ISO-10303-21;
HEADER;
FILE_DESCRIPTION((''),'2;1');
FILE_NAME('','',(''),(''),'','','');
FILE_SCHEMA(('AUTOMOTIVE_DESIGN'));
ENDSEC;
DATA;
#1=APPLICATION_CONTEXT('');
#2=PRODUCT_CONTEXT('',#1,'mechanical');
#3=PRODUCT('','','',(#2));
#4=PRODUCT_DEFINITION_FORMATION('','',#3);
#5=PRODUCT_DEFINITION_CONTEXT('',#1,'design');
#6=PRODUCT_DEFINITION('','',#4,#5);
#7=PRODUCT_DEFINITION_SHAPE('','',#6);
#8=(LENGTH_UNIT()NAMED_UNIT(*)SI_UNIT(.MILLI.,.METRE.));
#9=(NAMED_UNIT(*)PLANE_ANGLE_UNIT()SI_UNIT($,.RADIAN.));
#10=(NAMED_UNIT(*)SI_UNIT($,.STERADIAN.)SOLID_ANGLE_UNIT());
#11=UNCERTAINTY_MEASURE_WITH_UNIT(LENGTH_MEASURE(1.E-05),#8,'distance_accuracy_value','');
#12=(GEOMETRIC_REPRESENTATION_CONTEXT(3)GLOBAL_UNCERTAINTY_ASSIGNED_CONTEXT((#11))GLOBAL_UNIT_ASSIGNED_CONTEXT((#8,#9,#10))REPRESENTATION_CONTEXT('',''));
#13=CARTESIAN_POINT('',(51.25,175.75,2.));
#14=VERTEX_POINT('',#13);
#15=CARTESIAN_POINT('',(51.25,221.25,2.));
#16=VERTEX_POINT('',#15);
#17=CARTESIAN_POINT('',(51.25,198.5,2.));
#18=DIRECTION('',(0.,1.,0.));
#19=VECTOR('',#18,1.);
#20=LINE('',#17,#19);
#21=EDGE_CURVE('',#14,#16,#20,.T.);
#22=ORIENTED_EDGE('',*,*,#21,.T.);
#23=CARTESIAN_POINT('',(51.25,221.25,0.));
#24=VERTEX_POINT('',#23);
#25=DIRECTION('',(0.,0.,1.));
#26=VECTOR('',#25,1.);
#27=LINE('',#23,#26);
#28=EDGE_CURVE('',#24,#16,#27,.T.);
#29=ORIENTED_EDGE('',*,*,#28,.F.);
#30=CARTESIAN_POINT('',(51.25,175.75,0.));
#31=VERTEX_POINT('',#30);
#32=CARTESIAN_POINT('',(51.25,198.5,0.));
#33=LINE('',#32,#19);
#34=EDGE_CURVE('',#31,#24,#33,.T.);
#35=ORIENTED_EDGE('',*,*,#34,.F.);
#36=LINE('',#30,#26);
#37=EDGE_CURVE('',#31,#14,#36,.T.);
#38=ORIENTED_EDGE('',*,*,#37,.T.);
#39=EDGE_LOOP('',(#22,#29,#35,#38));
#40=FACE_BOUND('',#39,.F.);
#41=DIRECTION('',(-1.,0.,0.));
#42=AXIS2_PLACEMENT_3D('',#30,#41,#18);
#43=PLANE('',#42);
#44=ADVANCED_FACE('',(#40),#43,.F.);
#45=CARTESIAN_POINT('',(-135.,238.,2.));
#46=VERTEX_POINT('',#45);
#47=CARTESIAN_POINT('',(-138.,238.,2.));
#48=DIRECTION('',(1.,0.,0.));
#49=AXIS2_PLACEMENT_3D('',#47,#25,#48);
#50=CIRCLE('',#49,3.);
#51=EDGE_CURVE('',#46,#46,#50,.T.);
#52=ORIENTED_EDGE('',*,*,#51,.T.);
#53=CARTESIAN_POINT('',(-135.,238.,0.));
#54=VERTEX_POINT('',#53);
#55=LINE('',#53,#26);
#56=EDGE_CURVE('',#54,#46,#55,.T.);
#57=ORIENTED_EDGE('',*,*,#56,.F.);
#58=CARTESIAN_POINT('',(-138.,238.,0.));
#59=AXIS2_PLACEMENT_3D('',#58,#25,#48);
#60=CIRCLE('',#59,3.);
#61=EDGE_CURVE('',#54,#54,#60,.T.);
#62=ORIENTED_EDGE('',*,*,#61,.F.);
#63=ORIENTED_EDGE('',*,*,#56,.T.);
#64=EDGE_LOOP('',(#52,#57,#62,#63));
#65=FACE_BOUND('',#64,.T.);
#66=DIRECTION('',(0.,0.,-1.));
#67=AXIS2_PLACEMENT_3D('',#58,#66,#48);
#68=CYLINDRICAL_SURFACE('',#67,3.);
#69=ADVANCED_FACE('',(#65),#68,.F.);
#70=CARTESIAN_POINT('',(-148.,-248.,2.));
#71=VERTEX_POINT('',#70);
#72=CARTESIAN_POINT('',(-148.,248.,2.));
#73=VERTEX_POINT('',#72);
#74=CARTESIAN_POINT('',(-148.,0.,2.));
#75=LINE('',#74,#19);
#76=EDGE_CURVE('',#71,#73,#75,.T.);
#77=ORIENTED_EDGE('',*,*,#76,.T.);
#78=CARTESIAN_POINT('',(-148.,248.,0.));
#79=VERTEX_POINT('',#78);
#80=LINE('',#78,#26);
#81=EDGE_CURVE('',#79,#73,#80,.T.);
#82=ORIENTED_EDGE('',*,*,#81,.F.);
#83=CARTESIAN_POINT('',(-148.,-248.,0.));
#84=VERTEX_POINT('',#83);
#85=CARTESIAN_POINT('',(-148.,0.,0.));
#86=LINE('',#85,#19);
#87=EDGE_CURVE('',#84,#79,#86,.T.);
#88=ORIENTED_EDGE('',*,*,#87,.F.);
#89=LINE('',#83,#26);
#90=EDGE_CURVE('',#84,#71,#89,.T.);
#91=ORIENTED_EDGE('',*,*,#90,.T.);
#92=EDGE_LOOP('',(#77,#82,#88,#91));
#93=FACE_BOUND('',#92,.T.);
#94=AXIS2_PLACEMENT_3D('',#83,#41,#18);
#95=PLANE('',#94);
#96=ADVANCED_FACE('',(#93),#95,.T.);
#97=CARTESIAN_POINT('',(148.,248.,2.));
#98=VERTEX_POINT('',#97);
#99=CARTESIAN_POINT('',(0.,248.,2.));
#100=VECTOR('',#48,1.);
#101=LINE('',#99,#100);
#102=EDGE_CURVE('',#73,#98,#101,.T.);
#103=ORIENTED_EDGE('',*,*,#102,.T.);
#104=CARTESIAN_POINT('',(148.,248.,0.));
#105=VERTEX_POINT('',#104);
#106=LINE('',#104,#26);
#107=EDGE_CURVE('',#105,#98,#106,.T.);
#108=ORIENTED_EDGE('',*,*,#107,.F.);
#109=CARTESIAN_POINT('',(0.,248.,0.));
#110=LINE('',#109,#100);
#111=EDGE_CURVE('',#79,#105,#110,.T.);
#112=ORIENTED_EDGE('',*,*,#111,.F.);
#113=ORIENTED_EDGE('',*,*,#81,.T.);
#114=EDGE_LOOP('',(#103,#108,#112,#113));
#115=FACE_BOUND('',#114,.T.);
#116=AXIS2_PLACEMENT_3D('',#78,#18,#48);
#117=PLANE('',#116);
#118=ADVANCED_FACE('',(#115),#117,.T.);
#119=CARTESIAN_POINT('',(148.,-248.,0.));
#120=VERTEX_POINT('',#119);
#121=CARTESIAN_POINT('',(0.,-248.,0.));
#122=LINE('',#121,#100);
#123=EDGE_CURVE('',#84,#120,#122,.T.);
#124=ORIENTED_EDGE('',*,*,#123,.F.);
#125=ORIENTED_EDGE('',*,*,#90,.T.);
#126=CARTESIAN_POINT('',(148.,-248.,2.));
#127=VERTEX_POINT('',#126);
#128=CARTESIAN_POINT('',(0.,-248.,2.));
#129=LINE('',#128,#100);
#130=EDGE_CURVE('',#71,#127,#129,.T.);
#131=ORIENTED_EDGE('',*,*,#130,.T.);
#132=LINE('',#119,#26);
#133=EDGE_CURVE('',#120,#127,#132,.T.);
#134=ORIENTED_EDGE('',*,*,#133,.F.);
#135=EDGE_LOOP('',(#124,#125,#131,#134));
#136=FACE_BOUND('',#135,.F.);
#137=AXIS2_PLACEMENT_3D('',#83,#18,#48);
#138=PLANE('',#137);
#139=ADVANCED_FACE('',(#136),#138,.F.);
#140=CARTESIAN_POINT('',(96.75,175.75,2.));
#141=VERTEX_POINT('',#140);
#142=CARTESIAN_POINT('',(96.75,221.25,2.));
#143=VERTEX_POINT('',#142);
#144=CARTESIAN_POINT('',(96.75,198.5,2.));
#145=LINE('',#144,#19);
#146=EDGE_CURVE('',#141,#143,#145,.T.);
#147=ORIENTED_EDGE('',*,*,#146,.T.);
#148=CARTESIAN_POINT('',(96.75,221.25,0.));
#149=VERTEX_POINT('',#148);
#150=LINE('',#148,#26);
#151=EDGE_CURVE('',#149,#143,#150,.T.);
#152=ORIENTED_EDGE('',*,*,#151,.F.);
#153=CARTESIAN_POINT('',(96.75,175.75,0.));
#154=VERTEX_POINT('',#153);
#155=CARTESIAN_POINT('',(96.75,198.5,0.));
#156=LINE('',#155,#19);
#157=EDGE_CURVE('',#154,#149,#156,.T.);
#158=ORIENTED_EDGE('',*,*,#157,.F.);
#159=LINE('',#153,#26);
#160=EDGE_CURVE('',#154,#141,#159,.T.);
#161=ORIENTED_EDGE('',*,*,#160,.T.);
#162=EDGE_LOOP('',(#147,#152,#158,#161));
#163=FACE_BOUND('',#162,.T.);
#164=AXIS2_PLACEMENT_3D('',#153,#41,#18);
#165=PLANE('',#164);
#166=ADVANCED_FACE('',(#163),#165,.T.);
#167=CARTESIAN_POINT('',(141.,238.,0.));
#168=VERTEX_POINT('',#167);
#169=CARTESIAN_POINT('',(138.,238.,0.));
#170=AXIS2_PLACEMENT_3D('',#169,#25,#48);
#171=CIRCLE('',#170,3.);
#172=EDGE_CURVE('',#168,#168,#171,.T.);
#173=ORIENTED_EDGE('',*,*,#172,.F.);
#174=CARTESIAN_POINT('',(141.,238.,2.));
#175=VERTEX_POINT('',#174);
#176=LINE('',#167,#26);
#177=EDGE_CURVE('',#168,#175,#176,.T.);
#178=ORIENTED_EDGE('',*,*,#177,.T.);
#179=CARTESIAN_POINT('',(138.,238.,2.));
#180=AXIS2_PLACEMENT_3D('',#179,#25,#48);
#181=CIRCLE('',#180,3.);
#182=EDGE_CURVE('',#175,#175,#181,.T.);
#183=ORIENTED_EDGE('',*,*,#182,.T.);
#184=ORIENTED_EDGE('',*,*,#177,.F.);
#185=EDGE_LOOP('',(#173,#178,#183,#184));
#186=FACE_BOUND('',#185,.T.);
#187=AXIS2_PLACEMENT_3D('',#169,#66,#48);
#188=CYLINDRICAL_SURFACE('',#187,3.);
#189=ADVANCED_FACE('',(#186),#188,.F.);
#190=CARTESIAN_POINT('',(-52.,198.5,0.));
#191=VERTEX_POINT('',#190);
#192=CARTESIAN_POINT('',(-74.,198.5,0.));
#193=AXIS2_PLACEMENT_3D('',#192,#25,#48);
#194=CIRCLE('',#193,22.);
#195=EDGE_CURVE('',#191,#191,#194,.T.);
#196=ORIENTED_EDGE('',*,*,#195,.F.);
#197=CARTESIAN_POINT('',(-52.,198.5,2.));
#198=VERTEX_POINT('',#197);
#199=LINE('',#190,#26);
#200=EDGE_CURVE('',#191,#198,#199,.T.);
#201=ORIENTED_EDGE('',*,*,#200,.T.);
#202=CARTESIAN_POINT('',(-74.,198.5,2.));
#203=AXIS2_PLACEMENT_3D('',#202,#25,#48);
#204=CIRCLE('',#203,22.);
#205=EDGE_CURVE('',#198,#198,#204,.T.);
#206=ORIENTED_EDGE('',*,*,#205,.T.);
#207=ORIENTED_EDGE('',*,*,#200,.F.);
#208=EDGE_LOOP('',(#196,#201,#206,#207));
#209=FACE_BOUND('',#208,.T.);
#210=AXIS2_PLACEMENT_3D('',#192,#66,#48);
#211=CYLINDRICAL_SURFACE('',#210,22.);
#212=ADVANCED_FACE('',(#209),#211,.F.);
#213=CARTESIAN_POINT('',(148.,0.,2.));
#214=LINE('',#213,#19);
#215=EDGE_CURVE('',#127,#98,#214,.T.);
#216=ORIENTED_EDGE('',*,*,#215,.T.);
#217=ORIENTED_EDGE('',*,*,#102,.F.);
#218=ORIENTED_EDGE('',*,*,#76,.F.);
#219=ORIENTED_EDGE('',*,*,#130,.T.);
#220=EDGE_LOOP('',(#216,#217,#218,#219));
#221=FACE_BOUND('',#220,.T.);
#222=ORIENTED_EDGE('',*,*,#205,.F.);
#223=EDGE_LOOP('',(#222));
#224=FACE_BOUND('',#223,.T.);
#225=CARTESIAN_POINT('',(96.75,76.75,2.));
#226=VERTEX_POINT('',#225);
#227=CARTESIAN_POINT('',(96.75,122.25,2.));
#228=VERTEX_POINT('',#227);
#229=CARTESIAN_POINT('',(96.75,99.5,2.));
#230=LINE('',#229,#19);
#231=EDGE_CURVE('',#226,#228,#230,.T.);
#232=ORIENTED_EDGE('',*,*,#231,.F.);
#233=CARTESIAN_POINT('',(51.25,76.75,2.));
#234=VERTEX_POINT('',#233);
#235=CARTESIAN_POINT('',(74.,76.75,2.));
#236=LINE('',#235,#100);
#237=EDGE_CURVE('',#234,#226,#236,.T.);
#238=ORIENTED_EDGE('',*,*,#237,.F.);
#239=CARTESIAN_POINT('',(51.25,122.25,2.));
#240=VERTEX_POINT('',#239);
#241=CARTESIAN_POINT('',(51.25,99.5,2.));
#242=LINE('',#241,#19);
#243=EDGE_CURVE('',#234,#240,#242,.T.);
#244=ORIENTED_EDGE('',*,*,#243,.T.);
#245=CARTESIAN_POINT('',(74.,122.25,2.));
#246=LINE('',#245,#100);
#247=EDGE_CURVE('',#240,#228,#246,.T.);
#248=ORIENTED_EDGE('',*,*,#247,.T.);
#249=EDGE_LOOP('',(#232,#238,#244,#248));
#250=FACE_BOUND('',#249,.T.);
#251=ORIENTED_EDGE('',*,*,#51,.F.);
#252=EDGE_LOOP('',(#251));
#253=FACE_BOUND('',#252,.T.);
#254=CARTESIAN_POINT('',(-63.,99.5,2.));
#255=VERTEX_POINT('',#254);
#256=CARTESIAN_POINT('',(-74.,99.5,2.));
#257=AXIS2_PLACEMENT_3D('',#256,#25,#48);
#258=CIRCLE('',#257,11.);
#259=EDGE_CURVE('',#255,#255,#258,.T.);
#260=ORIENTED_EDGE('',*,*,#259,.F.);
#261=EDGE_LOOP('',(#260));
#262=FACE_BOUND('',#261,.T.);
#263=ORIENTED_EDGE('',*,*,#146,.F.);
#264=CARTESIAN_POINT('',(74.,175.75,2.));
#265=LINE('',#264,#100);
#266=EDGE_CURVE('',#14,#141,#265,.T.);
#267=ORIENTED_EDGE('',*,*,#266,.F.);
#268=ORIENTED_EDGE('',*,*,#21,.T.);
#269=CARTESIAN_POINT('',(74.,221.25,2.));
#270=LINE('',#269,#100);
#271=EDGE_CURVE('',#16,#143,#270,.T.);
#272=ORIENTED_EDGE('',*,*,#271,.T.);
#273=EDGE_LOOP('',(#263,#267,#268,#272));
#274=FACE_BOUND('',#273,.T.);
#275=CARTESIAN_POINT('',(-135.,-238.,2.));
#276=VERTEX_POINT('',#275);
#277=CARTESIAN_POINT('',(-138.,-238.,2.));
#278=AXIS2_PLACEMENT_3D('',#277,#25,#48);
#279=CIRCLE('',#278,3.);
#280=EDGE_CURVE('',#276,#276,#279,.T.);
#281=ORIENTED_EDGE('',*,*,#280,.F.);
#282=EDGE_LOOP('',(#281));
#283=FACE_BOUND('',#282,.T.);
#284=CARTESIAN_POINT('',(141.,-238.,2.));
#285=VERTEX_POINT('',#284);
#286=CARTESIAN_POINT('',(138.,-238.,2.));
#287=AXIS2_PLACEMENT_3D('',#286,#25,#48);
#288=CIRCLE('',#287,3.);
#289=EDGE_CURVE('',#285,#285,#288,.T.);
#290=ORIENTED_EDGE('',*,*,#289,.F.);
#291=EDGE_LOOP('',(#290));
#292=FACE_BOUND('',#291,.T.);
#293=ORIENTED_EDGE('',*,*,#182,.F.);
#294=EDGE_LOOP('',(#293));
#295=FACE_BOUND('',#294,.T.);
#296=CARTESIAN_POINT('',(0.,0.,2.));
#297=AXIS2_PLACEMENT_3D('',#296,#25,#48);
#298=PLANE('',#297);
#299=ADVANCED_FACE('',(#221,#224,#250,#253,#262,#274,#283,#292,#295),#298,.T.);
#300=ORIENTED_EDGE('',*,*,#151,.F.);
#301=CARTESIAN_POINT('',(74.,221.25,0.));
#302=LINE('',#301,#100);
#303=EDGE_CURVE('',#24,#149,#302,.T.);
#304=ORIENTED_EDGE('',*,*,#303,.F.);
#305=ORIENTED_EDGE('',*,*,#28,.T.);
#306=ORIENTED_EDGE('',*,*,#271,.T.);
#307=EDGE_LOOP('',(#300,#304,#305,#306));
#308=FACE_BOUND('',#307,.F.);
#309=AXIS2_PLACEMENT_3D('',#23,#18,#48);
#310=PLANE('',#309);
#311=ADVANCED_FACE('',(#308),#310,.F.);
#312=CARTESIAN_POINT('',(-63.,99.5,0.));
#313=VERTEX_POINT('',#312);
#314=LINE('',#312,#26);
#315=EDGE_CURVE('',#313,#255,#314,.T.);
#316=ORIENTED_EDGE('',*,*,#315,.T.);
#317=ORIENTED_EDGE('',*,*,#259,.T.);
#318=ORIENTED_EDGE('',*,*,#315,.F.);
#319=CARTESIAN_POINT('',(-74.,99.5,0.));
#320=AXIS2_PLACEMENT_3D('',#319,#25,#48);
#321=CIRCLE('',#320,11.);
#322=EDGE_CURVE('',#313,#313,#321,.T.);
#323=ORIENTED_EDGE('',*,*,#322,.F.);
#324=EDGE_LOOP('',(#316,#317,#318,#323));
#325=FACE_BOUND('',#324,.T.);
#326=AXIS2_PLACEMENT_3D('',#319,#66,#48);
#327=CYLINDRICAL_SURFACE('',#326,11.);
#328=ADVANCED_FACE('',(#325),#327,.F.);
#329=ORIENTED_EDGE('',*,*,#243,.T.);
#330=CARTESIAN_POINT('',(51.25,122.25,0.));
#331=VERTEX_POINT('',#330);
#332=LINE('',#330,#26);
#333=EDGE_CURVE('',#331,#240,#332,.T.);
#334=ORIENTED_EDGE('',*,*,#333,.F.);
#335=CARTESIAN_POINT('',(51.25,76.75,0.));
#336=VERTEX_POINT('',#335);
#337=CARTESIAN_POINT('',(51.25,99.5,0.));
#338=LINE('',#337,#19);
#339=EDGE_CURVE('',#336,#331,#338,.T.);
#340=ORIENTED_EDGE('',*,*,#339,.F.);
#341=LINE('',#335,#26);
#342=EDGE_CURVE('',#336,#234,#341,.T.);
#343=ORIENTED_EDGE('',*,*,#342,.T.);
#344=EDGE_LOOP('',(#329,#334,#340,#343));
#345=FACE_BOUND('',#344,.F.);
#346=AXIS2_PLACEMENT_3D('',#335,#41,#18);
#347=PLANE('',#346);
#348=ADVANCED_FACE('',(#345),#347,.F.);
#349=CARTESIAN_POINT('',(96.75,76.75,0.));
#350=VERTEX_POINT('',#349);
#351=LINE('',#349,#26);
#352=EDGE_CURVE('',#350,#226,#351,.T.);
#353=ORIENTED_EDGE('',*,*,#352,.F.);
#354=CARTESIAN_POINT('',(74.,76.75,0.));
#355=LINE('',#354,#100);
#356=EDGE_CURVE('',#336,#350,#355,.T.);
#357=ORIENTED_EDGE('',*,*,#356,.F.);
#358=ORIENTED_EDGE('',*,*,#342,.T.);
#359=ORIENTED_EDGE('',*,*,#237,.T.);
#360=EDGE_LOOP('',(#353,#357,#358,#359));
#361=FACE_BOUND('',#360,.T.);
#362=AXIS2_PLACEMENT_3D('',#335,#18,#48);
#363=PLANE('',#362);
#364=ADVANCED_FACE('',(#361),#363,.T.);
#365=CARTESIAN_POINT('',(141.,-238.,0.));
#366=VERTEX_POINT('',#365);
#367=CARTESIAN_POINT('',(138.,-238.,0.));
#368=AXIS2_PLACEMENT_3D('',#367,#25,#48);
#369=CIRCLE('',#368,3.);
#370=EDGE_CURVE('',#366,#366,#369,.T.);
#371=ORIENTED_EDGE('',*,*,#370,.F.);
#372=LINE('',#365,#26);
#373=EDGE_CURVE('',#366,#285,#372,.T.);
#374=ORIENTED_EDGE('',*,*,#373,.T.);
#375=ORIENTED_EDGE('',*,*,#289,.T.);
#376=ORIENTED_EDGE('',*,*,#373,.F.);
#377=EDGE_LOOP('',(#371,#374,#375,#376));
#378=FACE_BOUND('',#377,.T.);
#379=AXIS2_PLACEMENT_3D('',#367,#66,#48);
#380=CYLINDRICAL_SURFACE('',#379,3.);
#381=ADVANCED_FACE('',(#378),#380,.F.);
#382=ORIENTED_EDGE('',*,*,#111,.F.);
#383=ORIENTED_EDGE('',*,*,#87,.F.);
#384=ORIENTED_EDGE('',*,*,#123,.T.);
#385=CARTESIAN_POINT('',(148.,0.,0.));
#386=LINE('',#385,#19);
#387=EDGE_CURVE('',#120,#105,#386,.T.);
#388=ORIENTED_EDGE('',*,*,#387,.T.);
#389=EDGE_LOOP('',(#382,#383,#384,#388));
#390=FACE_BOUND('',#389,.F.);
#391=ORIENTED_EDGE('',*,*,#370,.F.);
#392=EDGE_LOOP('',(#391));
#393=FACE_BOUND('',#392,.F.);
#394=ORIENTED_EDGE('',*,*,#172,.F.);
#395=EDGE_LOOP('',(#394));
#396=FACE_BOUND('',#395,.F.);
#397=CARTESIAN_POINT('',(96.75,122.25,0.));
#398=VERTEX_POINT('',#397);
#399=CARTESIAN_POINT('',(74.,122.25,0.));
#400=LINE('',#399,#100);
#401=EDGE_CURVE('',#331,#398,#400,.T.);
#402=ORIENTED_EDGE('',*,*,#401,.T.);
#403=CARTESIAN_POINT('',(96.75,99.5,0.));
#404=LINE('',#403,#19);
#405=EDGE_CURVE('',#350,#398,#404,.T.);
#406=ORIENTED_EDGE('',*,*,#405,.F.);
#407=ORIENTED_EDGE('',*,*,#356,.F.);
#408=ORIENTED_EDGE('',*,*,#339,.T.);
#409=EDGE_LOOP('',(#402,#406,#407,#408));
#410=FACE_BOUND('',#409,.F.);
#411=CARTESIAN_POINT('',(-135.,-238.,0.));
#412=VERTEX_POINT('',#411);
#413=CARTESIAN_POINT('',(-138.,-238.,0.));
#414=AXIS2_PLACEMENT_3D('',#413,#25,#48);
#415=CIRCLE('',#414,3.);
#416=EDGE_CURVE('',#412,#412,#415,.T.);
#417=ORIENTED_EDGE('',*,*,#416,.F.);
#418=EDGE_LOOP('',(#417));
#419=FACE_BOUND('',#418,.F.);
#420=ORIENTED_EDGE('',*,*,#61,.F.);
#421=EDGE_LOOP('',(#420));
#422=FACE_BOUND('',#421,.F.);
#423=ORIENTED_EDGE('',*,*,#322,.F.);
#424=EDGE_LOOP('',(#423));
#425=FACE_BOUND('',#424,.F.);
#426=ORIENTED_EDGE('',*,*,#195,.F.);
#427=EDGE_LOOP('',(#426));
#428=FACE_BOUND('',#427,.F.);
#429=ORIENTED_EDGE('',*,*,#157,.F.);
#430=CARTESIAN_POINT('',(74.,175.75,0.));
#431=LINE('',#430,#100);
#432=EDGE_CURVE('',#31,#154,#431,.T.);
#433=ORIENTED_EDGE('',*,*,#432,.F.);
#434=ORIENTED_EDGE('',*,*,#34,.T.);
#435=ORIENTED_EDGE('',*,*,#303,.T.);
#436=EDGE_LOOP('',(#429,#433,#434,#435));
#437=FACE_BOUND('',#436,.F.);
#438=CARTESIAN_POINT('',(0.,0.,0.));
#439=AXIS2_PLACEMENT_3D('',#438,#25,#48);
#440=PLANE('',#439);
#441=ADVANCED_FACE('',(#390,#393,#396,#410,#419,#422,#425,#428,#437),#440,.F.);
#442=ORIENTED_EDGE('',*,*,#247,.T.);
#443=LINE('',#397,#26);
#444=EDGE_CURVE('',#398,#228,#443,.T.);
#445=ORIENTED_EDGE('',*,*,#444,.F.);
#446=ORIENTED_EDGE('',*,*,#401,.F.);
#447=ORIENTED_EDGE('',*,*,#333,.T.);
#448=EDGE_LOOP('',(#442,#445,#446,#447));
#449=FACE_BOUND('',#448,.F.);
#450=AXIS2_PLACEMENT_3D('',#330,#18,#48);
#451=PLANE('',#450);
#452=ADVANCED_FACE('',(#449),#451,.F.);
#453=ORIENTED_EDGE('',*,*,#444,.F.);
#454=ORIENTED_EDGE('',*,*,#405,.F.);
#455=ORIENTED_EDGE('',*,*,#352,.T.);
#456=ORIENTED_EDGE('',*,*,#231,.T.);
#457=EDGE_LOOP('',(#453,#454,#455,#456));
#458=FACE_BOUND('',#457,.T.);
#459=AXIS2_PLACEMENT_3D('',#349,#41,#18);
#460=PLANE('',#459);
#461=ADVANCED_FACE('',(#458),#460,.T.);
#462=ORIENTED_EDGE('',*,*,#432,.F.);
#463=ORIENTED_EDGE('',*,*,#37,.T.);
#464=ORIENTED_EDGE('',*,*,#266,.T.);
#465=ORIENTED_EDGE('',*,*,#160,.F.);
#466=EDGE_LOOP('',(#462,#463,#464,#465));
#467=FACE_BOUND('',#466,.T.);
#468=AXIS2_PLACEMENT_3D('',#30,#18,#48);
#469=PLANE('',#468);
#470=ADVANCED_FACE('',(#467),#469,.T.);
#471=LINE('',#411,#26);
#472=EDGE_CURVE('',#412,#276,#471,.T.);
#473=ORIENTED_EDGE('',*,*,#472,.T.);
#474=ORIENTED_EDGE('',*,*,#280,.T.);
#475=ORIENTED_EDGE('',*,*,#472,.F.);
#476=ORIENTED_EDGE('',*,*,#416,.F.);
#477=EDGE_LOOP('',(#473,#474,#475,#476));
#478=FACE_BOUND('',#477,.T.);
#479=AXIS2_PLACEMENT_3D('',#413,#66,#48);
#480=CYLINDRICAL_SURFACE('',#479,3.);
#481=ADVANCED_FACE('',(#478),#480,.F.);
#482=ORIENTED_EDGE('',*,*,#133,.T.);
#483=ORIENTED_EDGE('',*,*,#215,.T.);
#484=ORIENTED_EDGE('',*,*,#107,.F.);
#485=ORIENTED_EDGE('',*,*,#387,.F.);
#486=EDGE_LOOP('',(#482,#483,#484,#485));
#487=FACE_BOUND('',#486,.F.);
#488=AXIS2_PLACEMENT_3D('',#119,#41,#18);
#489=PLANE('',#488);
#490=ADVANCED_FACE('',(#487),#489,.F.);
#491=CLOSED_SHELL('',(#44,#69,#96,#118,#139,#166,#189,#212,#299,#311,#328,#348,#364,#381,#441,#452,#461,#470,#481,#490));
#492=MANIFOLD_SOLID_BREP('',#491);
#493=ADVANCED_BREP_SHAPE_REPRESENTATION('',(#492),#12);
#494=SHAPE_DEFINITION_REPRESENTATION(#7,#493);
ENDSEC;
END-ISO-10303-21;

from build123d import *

# Parameters (mm, degrees)
SKETCH1_W           = 296
SKETCH1_H           = 496
SKETCH1_R           = 11
SKETCH1_R_2         = 22
SKETCH1_R_3         = 3
SKETCH1_W_2         = 45.5
SKETCH1_H_2         = 45.5
BOSS_EXTRUDE1_DEPTH = 2


with BuildPart() as part:
    # Sketch1 → Boss-Extrude1 (new body)
    with BuildSketch(Plane.XY):
        Rectangle(SKETCH1_W, SKETCH1_H)
        with Locations((-74, 99.5)):
            Circle(SKETCH1_R, mode=Mode.SUBTRACT)
        with Locations((-74, 198.5)):
            Circle(SKETCH1_R_2, mode=Mode.SUBTRACT)
        with Locations((-138, 238)):
            Circle(SKETCH1_R_3, mode=Mode.SUBTRACT)
        with Locations((138, 238)):
            Circle(SKETCH1_R_3, mode=Mode.SUBTRACT)
        with Locations((-138, -238)):
            Circle(SKETCH1_R_3, mode=Mode.SUBTRACT)
        with Locations((138, -238)):
            Circle(SKETCH1_R_3, mode=Mode.SUBTRACT)
        with Locations((74, 198.5)):
            Rectangle(SKETCH1_W_2, SKETCH1_H_2, mode=Mode.SUBTRACT)
        with Locations((74, 99.5)):
            Rectangle(SKETCH1_W_2, SKETCH1_H_2, mode=Mode.SUBTRACT)
    extrude(amount=BOSS_EXTRUDE1_DEPTH)


solid = part.part
